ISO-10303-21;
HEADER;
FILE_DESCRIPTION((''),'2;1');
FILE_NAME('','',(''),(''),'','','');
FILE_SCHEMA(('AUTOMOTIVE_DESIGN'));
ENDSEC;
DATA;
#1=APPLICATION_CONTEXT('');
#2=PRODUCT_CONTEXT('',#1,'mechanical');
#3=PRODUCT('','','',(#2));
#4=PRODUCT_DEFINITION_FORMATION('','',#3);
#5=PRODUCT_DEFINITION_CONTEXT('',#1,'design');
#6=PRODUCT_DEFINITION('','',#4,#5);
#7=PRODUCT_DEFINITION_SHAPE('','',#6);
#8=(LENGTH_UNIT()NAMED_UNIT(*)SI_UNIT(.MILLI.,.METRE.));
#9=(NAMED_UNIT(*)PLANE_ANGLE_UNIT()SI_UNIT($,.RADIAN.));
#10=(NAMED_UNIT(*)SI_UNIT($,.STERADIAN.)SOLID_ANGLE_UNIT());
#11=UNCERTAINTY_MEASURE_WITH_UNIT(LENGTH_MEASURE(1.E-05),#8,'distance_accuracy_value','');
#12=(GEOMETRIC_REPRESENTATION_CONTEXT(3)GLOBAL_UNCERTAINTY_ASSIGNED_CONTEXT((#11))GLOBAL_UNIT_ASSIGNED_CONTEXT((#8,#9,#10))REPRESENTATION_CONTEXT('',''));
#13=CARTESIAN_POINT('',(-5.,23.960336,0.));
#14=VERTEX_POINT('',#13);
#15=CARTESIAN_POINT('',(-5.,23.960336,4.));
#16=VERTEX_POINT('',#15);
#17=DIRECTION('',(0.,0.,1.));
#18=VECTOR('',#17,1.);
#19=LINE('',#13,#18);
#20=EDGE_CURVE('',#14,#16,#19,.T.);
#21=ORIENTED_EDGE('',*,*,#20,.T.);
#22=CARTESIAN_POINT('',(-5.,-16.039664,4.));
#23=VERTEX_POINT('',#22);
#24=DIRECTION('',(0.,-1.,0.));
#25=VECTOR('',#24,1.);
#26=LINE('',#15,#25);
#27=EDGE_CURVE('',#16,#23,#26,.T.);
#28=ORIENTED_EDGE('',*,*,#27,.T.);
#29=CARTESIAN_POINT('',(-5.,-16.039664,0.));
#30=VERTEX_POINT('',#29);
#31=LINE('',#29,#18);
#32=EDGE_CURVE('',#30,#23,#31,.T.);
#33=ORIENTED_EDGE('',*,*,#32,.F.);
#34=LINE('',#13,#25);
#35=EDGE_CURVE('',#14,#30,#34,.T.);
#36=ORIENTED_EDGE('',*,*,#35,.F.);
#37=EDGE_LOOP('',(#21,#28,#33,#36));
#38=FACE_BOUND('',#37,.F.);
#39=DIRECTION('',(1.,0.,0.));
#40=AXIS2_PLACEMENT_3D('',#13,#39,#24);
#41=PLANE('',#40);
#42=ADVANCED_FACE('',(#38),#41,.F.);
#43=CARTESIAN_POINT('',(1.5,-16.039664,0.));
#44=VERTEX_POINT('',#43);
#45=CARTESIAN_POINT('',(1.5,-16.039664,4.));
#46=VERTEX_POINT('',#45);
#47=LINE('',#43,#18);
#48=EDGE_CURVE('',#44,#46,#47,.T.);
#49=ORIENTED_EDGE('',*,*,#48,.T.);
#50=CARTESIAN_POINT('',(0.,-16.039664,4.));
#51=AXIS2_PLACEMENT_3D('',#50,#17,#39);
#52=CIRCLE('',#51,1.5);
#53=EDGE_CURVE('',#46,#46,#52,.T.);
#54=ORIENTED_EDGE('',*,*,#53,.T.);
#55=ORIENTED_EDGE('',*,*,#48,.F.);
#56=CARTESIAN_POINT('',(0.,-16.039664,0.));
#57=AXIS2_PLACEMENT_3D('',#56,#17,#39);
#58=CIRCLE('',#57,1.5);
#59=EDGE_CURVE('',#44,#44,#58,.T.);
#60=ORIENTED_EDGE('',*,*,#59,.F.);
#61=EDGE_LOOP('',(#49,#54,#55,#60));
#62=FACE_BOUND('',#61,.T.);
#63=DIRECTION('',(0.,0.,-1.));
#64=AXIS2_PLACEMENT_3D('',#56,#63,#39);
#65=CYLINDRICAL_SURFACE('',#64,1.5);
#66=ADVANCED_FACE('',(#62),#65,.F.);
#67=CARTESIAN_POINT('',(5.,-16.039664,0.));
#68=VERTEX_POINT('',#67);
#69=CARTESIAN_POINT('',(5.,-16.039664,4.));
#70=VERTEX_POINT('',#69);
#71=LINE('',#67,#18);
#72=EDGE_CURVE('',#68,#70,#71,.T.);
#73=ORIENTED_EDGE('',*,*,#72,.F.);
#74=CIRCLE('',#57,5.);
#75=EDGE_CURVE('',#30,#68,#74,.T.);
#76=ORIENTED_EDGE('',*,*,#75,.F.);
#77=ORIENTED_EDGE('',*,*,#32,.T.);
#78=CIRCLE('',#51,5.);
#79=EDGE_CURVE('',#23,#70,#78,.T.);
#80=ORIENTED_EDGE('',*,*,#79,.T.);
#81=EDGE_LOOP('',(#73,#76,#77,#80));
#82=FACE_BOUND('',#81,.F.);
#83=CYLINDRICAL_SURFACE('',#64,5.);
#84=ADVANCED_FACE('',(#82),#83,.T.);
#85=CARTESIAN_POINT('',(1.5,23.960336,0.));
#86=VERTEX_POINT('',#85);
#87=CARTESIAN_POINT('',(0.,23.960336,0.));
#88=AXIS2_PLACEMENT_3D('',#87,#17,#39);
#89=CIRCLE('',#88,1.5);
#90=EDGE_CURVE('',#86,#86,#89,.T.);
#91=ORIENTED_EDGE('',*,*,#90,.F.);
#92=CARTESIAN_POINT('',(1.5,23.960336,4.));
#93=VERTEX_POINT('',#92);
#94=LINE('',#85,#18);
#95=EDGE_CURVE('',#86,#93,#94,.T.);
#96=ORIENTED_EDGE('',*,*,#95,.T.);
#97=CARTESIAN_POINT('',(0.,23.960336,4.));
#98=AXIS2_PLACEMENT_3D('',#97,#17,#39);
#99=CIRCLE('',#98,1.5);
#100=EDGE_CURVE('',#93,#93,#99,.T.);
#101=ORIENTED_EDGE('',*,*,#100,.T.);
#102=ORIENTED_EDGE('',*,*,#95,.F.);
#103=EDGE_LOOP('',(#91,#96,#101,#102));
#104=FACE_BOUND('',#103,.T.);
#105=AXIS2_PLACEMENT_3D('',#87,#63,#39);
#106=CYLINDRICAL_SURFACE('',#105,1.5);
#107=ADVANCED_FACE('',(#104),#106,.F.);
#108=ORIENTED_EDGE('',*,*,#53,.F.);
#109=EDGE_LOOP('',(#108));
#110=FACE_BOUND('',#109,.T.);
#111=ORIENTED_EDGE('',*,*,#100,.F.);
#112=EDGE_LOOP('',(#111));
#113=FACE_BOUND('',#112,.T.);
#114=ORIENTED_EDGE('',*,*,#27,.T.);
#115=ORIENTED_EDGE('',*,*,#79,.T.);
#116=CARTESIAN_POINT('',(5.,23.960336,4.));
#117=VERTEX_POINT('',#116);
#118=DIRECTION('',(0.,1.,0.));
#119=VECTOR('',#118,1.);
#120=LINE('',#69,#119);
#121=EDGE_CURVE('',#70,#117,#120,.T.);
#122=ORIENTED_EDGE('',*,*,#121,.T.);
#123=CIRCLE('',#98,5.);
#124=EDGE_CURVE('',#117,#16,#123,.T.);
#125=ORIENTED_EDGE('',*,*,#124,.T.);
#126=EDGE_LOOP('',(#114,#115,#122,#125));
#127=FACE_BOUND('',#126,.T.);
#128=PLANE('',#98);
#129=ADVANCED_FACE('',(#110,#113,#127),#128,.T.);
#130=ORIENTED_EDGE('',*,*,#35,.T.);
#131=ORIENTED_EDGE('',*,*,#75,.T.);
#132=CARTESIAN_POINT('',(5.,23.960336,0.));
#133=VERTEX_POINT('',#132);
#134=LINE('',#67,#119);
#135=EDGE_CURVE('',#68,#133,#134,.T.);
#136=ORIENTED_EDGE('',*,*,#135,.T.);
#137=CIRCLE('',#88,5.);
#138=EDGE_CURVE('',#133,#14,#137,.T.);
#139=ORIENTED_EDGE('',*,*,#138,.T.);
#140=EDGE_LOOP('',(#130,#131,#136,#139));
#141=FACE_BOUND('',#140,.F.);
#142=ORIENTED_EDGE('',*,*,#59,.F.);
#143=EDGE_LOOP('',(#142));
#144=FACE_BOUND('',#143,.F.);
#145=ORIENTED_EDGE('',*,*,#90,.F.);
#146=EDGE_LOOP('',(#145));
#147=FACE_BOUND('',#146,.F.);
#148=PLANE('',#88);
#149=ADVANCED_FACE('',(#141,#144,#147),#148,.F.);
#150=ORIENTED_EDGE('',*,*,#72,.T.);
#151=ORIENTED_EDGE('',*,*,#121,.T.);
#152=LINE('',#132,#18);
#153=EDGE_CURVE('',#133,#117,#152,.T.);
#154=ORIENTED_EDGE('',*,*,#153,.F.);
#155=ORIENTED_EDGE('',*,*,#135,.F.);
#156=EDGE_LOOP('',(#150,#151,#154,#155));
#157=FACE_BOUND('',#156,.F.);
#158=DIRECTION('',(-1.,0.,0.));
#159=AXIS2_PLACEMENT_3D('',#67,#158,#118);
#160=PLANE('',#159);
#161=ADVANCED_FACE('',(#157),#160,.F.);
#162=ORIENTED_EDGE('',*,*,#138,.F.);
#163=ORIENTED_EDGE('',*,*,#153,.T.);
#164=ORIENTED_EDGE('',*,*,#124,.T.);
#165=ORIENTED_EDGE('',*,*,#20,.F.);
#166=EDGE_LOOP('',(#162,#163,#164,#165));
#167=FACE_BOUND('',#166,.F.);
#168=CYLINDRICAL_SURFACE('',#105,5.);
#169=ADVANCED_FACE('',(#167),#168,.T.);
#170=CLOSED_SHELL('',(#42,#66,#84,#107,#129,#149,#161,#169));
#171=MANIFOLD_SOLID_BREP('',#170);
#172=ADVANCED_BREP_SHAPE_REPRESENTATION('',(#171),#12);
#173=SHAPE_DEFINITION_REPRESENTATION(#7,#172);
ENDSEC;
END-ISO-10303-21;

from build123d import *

# Parameters (mm, degrees)
F0_R     = 1.5
F1_DEPTH = 4


with BuildPart() as f1:
    # F0 (on Top) → F1 (new body)
    with BuildSketch(Plane.XY):
        with BuildLine():
            ThreePointArc((-5, 23.960336), (0, 18.960336), (5, 23.960336))
            ThreePointArc((5, 23.960336), (0, 28.960336), (-5, 23.960336))
        make_face()
        with Locations((0, 23.960336)):
            Circle(F0_R, mode=Mode.SUBTRACT)
        with BuildLine():
            Line((5, -16.039664), (5, 23.960336))
            ThreePointArc((5, 23.960336), (0, 18.960336), (-5, 23.960336))
            Line((-5, 23.960336), (-5, -16.039664))
            ThreePointArc((-5, -16.039664), (0, -11.039664), (5, -16.039664))
        make_face()
        with BuildLine():
            ThreePointArc((-5, -16.039664), (0, -21.039664), (5, -16.039664))
            ThreePointArc((5, -16.039664), (0, -11.039664), (-5, -16.039664))
        make_face()
        with Locations((0, -16.039664)):
            Circle(F0_R, mode=Mode.SUBTRACT)
    extrude(amount=F1_DEPTH)


solid = f1.part
